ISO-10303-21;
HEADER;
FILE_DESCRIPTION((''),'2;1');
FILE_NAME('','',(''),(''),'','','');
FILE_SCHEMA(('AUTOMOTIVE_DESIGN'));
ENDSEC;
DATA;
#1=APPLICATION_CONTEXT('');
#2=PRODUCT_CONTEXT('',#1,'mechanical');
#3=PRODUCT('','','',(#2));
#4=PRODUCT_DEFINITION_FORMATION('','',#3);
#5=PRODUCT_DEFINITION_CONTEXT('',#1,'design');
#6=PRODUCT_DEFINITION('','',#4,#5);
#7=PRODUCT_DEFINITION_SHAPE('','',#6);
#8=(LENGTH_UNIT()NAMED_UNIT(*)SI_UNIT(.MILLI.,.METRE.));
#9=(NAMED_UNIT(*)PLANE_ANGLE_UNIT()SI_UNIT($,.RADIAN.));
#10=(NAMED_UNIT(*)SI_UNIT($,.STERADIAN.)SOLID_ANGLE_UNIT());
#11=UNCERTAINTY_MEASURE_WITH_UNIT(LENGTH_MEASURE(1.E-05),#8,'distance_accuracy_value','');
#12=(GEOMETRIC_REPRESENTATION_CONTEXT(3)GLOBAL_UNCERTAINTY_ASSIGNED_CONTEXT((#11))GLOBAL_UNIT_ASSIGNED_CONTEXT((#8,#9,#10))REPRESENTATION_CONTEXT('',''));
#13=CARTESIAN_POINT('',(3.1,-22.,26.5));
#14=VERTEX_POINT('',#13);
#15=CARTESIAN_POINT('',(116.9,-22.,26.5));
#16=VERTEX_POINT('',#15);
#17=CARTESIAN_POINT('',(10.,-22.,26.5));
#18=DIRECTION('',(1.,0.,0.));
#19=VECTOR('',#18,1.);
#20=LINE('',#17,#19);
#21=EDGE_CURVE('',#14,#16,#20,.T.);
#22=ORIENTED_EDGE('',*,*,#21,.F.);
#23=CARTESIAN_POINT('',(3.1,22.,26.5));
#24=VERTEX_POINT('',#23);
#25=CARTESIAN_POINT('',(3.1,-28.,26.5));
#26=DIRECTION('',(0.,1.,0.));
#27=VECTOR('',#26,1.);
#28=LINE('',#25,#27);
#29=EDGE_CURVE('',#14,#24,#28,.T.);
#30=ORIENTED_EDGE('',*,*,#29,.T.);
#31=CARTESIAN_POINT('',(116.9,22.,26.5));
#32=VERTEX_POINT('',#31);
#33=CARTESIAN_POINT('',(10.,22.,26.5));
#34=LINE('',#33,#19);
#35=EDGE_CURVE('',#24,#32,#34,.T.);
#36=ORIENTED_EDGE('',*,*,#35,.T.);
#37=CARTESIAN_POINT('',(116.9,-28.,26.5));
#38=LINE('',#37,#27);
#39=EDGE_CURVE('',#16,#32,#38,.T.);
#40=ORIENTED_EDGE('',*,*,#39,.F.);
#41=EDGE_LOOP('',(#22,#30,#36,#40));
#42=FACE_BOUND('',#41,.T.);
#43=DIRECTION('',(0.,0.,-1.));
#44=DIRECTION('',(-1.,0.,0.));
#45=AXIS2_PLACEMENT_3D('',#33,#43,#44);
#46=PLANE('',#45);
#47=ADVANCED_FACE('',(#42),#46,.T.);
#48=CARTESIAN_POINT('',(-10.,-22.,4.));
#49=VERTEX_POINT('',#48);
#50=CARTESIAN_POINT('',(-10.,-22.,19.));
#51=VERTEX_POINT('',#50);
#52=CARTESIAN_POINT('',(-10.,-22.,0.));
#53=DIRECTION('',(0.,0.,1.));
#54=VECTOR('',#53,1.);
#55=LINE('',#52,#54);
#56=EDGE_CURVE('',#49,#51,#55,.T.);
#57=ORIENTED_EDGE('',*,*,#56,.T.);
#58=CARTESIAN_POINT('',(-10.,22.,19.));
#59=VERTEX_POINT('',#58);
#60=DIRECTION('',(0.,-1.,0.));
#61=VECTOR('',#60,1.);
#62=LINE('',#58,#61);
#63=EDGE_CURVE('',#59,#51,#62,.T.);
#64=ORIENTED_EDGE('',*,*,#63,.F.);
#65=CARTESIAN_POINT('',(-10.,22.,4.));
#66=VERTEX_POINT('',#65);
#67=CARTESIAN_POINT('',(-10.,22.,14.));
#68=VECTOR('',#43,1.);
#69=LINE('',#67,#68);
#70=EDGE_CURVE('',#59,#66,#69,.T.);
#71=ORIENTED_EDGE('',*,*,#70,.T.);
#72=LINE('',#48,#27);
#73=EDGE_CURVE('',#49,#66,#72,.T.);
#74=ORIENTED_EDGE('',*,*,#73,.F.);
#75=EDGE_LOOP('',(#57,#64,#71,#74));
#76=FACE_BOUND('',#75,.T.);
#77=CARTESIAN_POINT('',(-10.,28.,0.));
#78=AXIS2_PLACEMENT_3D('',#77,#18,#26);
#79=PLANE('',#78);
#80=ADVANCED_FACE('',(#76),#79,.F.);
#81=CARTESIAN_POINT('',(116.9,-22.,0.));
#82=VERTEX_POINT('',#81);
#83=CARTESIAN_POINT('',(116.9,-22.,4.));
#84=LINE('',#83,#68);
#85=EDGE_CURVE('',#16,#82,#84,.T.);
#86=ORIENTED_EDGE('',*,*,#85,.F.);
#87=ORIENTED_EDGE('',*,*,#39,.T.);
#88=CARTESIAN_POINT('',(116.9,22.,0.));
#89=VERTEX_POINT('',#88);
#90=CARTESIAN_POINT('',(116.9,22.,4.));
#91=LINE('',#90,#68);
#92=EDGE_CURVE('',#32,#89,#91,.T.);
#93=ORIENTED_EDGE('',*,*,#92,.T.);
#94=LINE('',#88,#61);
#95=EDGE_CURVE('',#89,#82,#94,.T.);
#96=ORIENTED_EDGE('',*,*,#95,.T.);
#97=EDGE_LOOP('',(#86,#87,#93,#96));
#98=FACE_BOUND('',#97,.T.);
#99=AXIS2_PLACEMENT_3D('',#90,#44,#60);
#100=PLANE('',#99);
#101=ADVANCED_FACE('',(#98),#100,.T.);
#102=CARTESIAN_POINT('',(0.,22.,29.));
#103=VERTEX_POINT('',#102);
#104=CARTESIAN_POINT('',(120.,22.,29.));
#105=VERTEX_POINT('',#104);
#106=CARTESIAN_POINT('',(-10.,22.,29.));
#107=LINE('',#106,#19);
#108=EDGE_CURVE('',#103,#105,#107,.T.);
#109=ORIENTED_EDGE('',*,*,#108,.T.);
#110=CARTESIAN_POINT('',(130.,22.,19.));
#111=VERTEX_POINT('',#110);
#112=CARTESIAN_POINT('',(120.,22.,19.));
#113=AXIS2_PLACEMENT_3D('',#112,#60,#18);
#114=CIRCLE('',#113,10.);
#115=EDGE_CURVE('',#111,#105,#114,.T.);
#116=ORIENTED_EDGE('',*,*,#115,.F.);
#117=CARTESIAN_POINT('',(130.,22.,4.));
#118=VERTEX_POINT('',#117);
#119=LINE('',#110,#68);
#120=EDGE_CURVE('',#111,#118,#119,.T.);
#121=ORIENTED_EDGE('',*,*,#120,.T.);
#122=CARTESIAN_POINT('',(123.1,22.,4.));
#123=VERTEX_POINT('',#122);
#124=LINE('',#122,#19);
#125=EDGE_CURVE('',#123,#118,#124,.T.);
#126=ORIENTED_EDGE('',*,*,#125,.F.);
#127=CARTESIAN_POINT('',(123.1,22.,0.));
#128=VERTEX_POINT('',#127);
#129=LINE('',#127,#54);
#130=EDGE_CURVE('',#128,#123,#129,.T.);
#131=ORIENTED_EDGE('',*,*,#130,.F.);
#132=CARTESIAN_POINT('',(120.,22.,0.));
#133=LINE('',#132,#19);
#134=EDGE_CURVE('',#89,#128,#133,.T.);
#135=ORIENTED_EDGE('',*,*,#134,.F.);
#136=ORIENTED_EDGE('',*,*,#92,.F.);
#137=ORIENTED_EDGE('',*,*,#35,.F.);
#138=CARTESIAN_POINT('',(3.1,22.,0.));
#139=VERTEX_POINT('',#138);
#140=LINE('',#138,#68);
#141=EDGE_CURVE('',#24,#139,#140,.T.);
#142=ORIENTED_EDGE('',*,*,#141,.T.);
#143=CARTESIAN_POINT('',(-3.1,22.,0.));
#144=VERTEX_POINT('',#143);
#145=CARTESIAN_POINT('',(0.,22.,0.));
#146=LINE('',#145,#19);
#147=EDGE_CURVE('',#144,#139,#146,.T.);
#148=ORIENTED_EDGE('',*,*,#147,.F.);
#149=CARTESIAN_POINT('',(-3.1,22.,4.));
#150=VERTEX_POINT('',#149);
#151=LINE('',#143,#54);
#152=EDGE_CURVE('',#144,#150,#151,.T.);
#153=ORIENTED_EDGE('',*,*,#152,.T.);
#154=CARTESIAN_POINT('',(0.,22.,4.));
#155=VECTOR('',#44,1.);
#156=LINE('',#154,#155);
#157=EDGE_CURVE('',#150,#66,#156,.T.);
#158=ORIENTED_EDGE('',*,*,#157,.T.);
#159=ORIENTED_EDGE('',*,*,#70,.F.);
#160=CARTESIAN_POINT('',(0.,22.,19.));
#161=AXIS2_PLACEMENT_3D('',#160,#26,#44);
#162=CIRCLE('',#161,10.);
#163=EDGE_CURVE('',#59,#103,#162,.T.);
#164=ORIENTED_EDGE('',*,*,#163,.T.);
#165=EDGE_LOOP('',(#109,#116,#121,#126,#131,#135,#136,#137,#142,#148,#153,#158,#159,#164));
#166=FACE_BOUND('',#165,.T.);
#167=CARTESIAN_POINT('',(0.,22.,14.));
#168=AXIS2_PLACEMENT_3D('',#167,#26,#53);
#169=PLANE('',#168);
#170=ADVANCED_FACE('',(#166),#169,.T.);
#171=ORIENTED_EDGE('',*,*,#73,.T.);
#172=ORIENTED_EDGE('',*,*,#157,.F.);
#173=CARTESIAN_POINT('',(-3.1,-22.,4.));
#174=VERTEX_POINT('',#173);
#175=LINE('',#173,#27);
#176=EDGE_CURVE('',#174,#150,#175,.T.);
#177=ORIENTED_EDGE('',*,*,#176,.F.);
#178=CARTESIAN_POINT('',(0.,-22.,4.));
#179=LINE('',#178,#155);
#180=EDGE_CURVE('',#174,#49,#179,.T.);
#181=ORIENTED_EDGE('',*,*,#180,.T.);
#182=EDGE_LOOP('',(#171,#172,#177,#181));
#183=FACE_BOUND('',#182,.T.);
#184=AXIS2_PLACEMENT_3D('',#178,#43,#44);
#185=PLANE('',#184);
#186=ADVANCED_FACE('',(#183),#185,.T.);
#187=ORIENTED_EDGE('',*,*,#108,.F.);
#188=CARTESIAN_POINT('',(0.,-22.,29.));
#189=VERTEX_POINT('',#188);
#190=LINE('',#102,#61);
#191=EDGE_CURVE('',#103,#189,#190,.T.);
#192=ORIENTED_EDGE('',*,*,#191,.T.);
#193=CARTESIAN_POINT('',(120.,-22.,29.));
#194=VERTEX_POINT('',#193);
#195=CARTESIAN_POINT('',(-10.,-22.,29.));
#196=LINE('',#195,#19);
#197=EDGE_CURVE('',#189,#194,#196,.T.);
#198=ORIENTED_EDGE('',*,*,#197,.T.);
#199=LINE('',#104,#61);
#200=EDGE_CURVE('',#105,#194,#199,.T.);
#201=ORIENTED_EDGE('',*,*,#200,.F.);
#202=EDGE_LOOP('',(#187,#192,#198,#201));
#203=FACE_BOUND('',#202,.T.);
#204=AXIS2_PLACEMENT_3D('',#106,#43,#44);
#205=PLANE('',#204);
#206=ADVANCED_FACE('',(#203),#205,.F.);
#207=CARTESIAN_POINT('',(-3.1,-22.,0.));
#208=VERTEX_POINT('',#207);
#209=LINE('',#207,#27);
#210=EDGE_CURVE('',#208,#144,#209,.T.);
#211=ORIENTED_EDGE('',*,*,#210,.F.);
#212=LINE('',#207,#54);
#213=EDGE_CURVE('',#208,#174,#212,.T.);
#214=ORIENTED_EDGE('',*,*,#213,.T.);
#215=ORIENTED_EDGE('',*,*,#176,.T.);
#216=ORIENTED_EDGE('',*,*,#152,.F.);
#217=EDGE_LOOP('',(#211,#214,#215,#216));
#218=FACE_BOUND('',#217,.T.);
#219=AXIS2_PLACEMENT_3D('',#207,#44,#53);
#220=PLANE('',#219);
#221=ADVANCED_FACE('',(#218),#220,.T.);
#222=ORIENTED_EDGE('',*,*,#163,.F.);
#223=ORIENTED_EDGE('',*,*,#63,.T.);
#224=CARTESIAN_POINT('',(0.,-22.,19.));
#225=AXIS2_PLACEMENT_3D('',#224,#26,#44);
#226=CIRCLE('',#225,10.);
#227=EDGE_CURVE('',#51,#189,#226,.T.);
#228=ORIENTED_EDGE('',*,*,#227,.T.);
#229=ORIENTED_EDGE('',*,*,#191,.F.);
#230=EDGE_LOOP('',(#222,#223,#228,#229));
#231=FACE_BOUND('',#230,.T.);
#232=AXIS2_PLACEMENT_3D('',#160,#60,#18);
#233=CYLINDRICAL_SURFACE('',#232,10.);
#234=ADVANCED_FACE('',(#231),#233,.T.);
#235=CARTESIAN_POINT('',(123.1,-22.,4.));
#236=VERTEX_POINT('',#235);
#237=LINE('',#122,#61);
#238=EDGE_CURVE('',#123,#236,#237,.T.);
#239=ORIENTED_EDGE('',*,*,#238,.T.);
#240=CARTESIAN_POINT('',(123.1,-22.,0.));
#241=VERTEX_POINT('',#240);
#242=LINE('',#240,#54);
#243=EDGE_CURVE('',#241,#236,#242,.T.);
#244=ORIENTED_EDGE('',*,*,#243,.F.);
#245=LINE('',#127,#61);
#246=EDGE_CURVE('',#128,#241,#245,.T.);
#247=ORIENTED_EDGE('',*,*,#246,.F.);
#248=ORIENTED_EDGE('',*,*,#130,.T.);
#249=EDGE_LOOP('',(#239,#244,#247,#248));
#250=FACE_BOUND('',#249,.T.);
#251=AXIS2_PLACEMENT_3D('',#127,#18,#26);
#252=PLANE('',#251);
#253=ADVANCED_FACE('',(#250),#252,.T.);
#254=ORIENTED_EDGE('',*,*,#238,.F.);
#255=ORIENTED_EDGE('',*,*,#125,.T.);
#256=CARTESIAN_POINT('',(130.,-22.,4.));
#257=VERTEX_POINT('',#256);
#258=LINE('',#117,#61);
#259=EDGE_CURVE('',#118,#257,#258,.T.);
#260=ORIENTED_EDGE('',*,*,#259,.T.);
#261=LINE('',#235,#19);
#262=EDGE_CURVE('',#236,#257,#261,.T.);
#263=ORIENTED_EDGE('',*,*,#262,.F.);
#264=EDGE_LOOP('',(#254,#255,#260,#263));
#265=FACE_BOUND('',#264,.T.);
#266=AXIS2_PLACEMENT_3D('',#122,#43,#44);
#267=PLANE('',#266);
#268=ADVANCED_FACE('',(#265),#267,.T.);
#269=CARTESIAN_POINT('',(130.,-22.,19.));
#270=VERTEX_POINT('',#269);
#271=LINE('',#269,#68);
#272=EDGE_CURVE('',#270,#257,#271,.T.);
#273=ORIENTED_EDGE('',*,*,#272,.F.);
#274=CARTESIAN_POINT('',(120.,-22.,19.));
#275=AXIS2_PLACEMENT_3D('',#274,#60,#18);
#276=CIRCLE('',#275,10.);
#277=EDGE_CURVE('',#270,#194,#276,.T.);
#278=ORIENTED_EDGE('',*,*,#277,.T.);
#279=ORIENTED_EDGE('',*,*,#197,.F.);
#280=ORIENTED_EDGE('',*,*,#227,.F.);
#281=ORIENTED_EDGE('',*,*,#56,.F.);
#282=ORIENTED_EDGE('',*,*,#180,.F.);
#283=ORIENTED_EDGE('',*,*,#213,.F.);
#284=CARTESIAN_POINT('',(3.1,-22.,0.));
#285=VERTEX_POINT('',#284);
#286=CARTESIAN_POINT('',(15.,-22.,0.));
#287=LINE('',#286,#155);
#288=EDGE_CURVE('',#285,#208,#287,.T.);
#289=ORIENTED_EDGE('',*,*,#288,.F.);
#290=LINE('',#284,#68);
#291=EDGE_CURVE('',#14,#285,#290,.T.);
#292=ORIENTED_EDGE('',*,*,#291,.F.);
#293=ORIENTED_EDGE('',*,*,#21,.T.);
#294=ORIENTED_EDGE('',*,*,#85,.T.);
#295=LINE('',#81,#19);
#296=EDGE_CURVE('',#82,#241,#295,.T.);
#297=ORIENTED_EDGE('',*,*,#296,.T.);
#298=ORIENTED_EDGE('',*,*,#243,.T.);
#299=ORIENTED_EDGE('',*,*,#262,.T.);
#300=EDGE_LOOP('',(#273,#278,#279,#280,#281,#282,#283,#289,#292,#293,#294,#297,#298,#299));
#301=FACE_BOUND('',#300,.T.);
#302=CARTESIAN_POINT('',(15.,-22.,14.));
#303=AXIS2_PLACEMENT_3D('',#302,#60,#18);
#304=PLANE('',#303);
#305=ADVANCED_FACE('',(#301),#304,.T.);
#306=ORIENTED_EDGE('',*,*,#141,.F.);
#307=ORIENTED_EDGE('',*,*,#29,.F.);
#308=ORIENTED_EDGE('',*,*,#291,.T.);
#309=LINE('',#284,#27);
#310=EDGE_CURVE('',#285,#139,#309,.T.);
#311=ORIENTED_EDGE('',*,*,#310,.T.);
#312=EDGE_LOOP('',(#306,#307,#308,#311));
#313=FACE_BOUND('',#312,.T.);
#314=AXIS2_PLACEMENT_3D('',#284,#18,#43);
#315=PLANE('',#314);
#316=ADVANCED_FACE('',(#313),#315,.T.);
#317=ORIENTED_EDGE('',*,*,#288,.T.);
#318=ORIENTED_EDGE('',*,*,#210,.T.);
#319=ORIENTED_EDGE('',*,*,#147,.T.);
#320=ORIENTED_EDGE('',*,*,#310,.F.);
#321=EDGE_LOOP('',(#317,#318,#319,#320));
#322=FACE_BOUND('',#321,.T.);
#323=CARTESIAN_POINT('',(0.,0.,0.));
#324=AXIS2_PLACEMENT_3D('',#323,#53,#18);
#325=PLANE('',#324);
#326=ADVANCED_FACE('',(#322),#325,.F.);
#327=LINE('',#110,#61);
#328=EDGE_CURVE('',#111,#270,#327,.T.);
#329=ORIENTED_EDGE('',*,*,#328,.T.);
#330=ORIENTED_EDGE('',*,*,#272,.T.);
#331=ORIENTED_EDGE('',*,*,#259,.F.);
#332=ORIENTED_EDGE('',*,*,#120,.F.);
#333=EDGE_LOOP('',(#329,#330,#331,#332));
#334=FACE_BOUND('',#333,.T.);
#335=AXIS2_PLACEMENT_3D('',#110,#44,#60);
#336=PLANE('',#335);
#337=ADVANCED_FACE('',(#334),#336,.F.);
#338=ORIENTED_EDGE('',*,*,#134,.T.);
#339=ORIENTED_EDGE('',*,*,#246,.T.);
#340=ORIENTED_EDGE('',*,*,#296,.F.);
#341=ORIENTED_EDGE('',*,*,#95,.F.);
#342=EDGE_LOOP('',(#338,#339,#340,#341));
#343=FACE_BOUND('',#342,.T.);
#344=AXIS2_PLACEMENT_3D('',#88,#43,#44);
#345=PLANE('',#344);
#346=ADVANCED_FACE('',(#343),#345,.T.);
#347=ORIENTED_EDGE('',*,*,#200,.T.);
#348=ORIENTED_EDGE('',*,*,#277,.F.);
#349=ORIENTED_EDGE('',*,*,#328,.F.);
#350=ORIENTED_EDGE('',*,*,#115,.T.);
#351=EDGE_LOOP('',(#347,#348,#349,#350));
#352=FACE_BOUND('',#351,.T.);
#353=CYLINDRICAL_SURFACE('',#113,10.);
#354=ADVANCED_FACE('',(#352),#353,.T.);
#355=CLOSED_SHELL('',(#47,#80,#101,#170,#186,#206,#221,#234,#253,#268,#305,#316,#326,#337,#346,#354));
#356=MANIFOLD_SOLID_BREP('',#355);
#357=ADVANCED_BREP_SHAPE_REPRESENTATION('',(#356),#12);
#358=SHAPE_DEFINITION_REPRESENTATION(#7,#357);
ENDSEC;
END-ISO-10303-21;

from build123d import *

# Parameters (mm, degrees)
EXTRUDE_1_DEPTH     = 14
CUT_EXTRUDE_1_DEPTH = 44
SKETCH_3_W          = 6.2
SKETCH_3_H          = 6.2
CUT_EXTRUDE_2_DEPTH = 4
SKETCH_4_R          = 4
CUT_EXTRUDE_3_DEPTH = 5
SKETCH_5_R          = 2.6
CUT_EXTRUDE_4_DEPTH = 5
SKETCH_6_R          = 4
EXTRUDE_2_DEPTH     = 10
SKETCH_7_W          = 6.2
SKETCH_7_H          = 4
EXTRUDE_3_DEPTH     = 40
CUT_EXTRUDE_5_DEPTH = 50
SKETCH_9_W          = 20
SKETCH_9_H          = 25
EXTRUDE_4_DEPTH     = 44
CUT_EXTRUDE_6_DEPTH = 44
EXTRUDE_5_DEPTH     = 44
SKETCH_12_W         = 6.9
SKETCH_12_H         = 22.5
CUT_EXTRUDE_7_DEPTH = 50


with BuildPart() as part:
    # 草图1 → 凸台-拉伸1 (new body)
    with BuildSketch(Plane.XY):
        Polygon((-15, 22), (-15, -22), (15, -22), (15, 22), (0, 22), align=None)
    extrude(amount=EXTRUDE_1_DEPTH)

    # 草图2 → 切除-拉伸1 (cut)
    with BuildSketch(Plane(origin=(0, 22, 0), x_dir=(1, 0, 0), z_dir=(0, 1, 0))):
        Polygon((-15, 0), (-15, -14), (-10, -4), (-3.1, -4), (-3.1, 0), align=None)
        Polygon((3.1, -4), (10, -4), (15, -14), (15, 0), (3.1, 0), align=None)
    extrude(amount=-CUT_EXTRUDE_1_DEPTH, mode=Mode.SUBTRACT)

    # 草图3 → 切除-拉伸2 (cut)
    with BuildSketch(Plane(origin=(0, 0, 0), x_dir=(-1, 0, 0), z_dir=(0, 0, -1))):
        Rectangle(SKETCH_3_W, SKETCH_3_H)
    extrude(amount=-CUT_EXTRUDE_2_DEPTH, mode=Mode.SUBTRACT)

    # 草图4 → 切除-拉伸3 (cut)
    with BuildSketch(Plane.XY.offset(14)):
        Circle(SKETCH_4_R)
    extrude(amount=-CUT_EXTRUDE_3_DEPTH, mode=Mode.SUBTRACT)

    # 草图5 → 切除-拉伸4 (cut)
    with BuildSketch(Plane.XY.offset(9)):
        Circle(SKETCH_5_R)
    extrude(amount=-CUT_EXTRUDE_4_DEPTH, mode=Mode.SUBTRACT)

    # 草图6 → 凸台-拉伸2 (add)
    with BuildSketch(Plane.XY.offset(14)):
        Circle(SKETCH_6_R)
    extrude(amount=-EXTRUDE_2_DEPTH)

    # 草图7 → 凸台-拉伸3 (add)
    with BuildSketch(Plane(origin=(0, -22, 0), x_dir=(-1, 0, 0), z_dir=(0, -1, 0))):
        with Locations((0, -2)):
            Rectangle(SKETCH_7_W, SKETCH_7_H)
    extrude(amount=-EXTRUDE_3_DEPTH)

    # 草图8 → 切除-拉伸5 (cut)
    with BuildSketch(Plane.XZ.offset(22)):
        Polygon((-15, 14), (-10, 4), (-10, 14), align=None)
        Polygon((15, 14), (10, 14), (10, 4), align=None)
    extrude(amount=-CUT_EXTRUDE_5_DEPTH, mode=Mode.SUBTRACT)

    # 草图9 → 凸台-拉伸4 (add)
    with BuildSketch(Plane.XZ.offset(22)):
        with Locations((0, 16.5)):
            Rectangle(SKETCH_9_W, SKETCH_9_H)
    extrude(amount=-EXTRUDE_4_DEPTH)

    # 草图10 → 切除-拉伸6 (cut)
    with BuildSketch(Plane.XZ.offset(22)):
        with BuildLine():
            Line((-10, 29), (-10, 19))
            ThreePointArc((-10, 19), (-7.071067812, 26.071067812), (0, 29))
            Line((0, 29), (-10, 29))
        make_face()
    extrude(amount=-CUT_EXTRUDE_6_DEPTH, mode=Mode.SUBTRACT)

    # 草图11 → 凸台-拉伸5 (add)
    with BuildSketch(Plane.XZ.offset(22)):
        with BuildLine():
            Line((120, 0), (123.1, 0))
            Line((123.1, 0), (123.1, 4))
            Line((123.1, 4), (130, 4))
            Line((130, 4), (130, 19))
            ThreePointArc((130, 19), (127.071067812, 26.071067812), (120, 29))
            Line((120, 29), (110, 29))
            Line((110, 29), (10, 29))
            Line((10, 29), (10, 26.5))
            Line((10, 26.5), (110, 26.5))
            Line((110, 26.5), (110, 4))
            Line((110, 4), (116.9, 4))
            Line((116.9, 4), (116.9, 0))
            Line((116.9, 0), (120, 0))
        make_face()
    extrude(amount=-EXTRUDE_5_DEPTH)

    # 草图12 → 切除-拉伸7 (cut)
    with BuildSketch(Plane(origin=(0, 22, 0), x_dir=(1, 0, 0), z_dir=(0, 1, 0))):
        with Locations((6.55, -15.25)):
            Rectangle(SKETCH_12_W, SKETCH_12_H)
        with Locations((113.45, -15.25)):
            Rectangle(SKETCH_12_W, SKETCH_12_H)
    extrude(amount=-CUT_EXTRUDE_7_DEPTH, mode=Mode.SUBTRACT)


solid = part.part
